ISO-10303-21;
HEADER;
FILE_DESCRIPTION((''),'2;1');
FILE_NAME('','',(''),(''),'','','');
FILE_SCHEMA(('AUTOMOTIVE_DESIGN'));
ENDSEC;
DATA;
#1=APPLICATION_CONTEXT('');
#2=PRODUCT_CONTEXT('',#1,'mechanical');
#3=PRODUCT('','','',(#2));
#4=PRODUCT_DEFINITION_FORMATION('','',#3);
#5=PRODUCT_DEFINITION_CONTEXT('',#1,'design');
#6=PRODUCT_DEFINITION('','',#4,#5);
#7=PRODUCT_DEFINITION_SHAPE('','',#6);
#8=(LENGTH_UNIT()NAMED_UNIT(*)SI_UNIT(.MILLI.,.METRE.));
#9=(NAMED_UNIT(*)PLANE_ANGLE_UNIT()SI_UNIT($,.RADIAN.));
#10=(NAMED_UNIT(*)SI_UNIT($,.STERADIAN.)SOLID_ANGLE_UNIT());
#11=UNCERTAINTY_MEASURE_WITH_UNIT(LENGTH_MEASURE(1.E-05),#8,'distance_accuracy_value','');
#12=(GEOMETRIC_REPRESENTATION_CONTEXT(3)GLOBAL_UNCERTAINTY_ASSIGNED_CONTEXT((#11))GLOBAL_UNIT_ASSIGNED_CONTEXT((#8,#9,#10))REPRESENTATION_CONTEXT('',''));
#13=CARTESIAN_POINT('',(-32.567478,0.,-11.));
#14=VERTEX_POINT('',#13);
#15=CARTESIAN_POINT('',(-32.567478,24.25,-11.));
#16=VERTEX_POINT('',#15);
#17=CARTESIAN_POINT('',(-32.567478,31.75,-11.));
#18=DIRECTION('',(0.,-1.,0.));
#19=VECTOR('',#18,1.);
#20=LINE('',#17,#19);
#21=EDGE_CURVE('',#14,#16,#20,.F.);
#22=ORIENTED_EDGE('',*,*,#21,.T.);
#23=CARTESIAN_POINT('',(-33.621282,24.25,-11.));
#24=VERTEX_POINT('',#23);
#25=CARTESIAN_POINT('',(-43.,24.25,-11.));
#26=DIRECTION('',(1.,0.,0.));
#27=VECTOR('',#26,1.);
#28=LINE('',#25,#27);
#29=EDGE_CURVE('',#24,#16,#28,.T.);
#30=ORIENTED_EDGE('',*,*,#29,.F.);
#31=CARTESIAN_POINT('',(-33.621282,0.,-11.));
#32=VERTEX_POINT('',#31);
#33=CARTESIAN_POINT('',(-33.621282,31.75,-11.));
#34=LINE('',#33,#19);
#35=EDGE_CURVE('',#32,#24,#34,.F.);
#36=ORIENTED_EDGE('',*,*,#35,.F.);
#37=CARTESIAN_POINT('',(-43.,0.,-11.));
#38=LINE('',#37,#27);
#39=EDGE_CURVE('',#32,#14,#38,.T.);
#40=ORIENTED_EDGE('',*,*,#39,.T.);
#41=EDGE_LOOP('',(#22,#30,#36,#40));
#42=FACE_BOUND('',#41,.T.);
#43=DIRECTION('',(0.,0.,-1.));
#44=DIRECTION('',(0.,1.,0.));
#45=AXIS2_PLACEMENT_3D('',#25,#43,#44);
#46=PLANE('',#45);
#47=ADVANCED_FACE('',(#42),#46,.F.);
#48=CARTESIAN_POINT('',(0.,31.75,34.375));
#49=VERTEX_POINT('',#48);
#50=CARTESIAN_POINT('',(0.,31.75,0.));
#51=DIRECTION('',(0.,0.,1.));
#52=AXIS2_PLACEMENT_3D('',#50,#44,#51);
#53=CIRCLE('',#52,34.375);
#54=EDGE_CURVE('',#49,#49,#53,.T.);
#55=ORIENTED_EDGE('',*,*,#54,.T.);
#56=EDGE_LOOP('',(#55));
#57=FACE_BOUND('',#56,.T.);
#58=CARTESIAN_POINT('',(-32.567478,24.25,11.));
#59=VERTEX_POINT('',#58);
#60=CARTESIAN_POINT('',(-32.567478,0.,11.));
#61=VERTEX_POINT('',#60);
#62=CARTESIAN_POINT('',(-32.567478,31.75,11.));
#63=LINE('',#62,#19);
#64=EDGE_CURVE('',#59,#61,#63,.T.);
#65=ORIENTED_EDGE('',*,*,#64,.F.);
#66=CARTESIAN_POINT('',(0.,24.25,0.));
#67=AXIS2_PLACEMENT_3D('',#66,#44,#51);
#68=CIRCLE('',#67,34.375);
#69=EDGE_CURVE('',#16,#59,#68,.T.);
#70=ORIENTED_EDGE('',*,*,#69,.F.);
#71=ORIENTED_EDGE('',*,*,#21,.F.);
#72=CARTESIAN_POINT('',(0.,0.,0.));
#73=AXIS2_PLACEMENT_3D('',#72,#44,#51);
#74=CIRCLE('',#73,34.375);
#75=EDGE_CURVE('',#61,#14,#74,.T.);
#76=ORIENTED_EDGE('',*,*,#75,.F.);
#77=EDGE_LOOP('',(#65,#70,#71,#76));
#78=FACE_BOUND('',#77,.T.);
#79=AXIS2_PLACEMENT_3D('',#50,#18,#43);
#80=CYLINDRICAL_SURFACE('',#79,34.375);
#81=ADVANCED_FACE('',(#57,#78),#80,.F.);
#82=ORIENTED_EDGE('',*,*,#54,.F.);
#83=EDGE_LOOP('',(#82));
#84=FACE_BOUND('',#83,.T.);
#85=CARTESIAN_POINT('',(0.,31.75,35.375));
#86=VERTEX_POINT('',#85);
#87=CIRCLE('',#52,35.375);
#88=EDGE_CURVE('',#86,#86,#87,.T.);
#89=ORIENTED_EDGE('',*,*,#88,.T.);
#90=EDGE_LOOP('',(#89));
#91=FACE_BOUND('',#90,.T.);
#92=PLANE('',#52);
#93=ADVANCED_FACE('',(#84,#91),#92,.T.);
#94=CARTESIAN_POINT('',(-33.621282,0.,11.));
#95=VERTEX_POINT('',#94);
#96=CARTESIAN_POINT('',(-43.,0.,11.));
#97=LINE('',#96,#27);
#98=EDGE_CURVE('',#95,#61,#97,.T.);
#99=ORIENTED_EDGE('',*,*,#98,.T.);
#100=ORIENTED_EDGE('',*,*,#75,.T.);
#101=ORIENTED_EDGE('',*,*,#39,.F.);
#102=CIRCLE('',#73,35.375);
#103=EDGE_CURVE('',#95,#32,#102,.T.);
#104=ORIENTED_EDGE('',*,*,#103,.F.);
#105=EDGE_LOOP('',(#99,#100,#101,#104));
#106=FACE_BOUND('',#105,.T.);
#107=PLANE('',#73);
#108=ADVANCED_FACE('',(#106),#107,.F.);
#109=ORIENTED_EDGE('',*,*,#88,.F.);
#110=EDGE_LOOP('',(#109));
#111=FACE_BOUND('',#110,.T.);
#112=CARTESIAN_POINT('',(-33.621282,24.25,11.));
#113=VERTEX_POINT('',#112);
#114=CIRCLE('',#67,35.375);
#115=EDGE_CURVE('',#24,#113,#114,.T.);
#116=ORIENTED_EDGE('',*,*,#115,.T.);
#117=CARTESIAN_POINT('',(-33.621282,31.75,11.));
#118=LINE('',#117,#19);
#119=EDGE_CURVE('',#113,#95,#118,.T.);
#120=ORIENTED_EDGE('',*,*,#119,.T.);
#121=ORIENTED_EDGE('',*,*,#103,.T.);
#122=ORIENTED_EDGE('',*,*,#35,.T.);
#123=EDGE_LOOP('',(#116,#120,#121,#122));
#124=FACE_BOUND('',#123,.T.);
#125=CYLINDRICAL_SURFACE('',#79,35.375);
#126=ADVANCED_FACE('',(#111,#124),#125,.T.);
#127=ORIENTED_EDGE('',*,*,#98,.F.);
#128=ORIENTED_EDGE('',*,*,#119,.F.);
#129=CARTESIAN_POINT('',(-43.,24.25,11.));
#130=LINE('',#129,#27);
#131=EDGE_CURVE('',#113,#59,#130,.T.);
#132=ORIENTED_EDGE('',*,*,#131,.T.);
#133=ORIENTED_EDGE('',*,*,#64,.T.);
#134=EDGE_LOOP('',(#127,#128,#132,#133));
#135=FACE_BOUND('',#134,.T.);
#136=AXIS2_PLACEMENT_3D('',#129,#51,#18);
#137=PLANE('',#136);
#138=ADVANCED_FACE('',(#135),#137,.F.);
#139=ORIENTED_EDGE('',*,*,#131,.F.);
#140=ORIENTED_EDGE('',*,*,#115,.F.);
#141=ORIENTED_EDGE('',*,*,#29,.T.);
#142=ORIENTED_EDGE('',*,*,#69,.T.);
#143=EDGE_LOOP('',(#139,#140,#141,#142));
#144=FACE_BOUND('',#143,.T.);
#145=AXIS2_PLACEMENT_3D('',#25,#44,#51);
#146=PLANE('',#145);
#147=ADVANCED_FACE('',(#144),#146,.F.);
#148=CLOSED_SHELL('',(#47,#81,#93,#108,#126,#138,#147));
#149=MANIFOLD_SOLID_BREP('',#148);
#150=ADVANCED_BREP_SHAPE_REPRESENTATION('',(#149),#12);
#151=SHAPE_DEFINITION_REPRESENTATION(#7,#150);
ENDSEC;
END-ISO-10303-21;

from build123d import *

# Parameters (mm, degrees)
SKETCH1_R           = 35.375
SKETCH1_R_2         = 34.375
BOSS_EXTRUDE1_DEPTH = 31.75
SKETCH2_W           = 22
SKETCH2_H           = 24.25
CUT_EXTRUDE1_DEPTH  = 43


with BuildPart() as part:
    # Sketch1 → Boss-Extrude1 (new body)
    with BuildSketch(Plane(origin=(0, 0, 0), x_dir=(1, 0, 0), z_dir=(0, 1, 0))):
        Circle(SKETCH1_R)
        Circle(SKETCH1_R_2, mode=Mode.SUBTRACT)
    extrude(amount=BOSS_EXTRUDE1_DEPTH)

    # Sketch2 → Cut-Extrude1 (cut)
    with BuildSketch(Plane(origin=(0, 0, 0), x_dir=(0, 0, -1), z_dir=(1, 0, 0))):
        with Locations((0, 12.125)):
            Rectangle(SKETCH2_W, SKETCH2_H)
    extrude(amount=-CUT_EXTRUDE1_DEPTH, mode=Mode.SUBTRACT)


solid = part.part
